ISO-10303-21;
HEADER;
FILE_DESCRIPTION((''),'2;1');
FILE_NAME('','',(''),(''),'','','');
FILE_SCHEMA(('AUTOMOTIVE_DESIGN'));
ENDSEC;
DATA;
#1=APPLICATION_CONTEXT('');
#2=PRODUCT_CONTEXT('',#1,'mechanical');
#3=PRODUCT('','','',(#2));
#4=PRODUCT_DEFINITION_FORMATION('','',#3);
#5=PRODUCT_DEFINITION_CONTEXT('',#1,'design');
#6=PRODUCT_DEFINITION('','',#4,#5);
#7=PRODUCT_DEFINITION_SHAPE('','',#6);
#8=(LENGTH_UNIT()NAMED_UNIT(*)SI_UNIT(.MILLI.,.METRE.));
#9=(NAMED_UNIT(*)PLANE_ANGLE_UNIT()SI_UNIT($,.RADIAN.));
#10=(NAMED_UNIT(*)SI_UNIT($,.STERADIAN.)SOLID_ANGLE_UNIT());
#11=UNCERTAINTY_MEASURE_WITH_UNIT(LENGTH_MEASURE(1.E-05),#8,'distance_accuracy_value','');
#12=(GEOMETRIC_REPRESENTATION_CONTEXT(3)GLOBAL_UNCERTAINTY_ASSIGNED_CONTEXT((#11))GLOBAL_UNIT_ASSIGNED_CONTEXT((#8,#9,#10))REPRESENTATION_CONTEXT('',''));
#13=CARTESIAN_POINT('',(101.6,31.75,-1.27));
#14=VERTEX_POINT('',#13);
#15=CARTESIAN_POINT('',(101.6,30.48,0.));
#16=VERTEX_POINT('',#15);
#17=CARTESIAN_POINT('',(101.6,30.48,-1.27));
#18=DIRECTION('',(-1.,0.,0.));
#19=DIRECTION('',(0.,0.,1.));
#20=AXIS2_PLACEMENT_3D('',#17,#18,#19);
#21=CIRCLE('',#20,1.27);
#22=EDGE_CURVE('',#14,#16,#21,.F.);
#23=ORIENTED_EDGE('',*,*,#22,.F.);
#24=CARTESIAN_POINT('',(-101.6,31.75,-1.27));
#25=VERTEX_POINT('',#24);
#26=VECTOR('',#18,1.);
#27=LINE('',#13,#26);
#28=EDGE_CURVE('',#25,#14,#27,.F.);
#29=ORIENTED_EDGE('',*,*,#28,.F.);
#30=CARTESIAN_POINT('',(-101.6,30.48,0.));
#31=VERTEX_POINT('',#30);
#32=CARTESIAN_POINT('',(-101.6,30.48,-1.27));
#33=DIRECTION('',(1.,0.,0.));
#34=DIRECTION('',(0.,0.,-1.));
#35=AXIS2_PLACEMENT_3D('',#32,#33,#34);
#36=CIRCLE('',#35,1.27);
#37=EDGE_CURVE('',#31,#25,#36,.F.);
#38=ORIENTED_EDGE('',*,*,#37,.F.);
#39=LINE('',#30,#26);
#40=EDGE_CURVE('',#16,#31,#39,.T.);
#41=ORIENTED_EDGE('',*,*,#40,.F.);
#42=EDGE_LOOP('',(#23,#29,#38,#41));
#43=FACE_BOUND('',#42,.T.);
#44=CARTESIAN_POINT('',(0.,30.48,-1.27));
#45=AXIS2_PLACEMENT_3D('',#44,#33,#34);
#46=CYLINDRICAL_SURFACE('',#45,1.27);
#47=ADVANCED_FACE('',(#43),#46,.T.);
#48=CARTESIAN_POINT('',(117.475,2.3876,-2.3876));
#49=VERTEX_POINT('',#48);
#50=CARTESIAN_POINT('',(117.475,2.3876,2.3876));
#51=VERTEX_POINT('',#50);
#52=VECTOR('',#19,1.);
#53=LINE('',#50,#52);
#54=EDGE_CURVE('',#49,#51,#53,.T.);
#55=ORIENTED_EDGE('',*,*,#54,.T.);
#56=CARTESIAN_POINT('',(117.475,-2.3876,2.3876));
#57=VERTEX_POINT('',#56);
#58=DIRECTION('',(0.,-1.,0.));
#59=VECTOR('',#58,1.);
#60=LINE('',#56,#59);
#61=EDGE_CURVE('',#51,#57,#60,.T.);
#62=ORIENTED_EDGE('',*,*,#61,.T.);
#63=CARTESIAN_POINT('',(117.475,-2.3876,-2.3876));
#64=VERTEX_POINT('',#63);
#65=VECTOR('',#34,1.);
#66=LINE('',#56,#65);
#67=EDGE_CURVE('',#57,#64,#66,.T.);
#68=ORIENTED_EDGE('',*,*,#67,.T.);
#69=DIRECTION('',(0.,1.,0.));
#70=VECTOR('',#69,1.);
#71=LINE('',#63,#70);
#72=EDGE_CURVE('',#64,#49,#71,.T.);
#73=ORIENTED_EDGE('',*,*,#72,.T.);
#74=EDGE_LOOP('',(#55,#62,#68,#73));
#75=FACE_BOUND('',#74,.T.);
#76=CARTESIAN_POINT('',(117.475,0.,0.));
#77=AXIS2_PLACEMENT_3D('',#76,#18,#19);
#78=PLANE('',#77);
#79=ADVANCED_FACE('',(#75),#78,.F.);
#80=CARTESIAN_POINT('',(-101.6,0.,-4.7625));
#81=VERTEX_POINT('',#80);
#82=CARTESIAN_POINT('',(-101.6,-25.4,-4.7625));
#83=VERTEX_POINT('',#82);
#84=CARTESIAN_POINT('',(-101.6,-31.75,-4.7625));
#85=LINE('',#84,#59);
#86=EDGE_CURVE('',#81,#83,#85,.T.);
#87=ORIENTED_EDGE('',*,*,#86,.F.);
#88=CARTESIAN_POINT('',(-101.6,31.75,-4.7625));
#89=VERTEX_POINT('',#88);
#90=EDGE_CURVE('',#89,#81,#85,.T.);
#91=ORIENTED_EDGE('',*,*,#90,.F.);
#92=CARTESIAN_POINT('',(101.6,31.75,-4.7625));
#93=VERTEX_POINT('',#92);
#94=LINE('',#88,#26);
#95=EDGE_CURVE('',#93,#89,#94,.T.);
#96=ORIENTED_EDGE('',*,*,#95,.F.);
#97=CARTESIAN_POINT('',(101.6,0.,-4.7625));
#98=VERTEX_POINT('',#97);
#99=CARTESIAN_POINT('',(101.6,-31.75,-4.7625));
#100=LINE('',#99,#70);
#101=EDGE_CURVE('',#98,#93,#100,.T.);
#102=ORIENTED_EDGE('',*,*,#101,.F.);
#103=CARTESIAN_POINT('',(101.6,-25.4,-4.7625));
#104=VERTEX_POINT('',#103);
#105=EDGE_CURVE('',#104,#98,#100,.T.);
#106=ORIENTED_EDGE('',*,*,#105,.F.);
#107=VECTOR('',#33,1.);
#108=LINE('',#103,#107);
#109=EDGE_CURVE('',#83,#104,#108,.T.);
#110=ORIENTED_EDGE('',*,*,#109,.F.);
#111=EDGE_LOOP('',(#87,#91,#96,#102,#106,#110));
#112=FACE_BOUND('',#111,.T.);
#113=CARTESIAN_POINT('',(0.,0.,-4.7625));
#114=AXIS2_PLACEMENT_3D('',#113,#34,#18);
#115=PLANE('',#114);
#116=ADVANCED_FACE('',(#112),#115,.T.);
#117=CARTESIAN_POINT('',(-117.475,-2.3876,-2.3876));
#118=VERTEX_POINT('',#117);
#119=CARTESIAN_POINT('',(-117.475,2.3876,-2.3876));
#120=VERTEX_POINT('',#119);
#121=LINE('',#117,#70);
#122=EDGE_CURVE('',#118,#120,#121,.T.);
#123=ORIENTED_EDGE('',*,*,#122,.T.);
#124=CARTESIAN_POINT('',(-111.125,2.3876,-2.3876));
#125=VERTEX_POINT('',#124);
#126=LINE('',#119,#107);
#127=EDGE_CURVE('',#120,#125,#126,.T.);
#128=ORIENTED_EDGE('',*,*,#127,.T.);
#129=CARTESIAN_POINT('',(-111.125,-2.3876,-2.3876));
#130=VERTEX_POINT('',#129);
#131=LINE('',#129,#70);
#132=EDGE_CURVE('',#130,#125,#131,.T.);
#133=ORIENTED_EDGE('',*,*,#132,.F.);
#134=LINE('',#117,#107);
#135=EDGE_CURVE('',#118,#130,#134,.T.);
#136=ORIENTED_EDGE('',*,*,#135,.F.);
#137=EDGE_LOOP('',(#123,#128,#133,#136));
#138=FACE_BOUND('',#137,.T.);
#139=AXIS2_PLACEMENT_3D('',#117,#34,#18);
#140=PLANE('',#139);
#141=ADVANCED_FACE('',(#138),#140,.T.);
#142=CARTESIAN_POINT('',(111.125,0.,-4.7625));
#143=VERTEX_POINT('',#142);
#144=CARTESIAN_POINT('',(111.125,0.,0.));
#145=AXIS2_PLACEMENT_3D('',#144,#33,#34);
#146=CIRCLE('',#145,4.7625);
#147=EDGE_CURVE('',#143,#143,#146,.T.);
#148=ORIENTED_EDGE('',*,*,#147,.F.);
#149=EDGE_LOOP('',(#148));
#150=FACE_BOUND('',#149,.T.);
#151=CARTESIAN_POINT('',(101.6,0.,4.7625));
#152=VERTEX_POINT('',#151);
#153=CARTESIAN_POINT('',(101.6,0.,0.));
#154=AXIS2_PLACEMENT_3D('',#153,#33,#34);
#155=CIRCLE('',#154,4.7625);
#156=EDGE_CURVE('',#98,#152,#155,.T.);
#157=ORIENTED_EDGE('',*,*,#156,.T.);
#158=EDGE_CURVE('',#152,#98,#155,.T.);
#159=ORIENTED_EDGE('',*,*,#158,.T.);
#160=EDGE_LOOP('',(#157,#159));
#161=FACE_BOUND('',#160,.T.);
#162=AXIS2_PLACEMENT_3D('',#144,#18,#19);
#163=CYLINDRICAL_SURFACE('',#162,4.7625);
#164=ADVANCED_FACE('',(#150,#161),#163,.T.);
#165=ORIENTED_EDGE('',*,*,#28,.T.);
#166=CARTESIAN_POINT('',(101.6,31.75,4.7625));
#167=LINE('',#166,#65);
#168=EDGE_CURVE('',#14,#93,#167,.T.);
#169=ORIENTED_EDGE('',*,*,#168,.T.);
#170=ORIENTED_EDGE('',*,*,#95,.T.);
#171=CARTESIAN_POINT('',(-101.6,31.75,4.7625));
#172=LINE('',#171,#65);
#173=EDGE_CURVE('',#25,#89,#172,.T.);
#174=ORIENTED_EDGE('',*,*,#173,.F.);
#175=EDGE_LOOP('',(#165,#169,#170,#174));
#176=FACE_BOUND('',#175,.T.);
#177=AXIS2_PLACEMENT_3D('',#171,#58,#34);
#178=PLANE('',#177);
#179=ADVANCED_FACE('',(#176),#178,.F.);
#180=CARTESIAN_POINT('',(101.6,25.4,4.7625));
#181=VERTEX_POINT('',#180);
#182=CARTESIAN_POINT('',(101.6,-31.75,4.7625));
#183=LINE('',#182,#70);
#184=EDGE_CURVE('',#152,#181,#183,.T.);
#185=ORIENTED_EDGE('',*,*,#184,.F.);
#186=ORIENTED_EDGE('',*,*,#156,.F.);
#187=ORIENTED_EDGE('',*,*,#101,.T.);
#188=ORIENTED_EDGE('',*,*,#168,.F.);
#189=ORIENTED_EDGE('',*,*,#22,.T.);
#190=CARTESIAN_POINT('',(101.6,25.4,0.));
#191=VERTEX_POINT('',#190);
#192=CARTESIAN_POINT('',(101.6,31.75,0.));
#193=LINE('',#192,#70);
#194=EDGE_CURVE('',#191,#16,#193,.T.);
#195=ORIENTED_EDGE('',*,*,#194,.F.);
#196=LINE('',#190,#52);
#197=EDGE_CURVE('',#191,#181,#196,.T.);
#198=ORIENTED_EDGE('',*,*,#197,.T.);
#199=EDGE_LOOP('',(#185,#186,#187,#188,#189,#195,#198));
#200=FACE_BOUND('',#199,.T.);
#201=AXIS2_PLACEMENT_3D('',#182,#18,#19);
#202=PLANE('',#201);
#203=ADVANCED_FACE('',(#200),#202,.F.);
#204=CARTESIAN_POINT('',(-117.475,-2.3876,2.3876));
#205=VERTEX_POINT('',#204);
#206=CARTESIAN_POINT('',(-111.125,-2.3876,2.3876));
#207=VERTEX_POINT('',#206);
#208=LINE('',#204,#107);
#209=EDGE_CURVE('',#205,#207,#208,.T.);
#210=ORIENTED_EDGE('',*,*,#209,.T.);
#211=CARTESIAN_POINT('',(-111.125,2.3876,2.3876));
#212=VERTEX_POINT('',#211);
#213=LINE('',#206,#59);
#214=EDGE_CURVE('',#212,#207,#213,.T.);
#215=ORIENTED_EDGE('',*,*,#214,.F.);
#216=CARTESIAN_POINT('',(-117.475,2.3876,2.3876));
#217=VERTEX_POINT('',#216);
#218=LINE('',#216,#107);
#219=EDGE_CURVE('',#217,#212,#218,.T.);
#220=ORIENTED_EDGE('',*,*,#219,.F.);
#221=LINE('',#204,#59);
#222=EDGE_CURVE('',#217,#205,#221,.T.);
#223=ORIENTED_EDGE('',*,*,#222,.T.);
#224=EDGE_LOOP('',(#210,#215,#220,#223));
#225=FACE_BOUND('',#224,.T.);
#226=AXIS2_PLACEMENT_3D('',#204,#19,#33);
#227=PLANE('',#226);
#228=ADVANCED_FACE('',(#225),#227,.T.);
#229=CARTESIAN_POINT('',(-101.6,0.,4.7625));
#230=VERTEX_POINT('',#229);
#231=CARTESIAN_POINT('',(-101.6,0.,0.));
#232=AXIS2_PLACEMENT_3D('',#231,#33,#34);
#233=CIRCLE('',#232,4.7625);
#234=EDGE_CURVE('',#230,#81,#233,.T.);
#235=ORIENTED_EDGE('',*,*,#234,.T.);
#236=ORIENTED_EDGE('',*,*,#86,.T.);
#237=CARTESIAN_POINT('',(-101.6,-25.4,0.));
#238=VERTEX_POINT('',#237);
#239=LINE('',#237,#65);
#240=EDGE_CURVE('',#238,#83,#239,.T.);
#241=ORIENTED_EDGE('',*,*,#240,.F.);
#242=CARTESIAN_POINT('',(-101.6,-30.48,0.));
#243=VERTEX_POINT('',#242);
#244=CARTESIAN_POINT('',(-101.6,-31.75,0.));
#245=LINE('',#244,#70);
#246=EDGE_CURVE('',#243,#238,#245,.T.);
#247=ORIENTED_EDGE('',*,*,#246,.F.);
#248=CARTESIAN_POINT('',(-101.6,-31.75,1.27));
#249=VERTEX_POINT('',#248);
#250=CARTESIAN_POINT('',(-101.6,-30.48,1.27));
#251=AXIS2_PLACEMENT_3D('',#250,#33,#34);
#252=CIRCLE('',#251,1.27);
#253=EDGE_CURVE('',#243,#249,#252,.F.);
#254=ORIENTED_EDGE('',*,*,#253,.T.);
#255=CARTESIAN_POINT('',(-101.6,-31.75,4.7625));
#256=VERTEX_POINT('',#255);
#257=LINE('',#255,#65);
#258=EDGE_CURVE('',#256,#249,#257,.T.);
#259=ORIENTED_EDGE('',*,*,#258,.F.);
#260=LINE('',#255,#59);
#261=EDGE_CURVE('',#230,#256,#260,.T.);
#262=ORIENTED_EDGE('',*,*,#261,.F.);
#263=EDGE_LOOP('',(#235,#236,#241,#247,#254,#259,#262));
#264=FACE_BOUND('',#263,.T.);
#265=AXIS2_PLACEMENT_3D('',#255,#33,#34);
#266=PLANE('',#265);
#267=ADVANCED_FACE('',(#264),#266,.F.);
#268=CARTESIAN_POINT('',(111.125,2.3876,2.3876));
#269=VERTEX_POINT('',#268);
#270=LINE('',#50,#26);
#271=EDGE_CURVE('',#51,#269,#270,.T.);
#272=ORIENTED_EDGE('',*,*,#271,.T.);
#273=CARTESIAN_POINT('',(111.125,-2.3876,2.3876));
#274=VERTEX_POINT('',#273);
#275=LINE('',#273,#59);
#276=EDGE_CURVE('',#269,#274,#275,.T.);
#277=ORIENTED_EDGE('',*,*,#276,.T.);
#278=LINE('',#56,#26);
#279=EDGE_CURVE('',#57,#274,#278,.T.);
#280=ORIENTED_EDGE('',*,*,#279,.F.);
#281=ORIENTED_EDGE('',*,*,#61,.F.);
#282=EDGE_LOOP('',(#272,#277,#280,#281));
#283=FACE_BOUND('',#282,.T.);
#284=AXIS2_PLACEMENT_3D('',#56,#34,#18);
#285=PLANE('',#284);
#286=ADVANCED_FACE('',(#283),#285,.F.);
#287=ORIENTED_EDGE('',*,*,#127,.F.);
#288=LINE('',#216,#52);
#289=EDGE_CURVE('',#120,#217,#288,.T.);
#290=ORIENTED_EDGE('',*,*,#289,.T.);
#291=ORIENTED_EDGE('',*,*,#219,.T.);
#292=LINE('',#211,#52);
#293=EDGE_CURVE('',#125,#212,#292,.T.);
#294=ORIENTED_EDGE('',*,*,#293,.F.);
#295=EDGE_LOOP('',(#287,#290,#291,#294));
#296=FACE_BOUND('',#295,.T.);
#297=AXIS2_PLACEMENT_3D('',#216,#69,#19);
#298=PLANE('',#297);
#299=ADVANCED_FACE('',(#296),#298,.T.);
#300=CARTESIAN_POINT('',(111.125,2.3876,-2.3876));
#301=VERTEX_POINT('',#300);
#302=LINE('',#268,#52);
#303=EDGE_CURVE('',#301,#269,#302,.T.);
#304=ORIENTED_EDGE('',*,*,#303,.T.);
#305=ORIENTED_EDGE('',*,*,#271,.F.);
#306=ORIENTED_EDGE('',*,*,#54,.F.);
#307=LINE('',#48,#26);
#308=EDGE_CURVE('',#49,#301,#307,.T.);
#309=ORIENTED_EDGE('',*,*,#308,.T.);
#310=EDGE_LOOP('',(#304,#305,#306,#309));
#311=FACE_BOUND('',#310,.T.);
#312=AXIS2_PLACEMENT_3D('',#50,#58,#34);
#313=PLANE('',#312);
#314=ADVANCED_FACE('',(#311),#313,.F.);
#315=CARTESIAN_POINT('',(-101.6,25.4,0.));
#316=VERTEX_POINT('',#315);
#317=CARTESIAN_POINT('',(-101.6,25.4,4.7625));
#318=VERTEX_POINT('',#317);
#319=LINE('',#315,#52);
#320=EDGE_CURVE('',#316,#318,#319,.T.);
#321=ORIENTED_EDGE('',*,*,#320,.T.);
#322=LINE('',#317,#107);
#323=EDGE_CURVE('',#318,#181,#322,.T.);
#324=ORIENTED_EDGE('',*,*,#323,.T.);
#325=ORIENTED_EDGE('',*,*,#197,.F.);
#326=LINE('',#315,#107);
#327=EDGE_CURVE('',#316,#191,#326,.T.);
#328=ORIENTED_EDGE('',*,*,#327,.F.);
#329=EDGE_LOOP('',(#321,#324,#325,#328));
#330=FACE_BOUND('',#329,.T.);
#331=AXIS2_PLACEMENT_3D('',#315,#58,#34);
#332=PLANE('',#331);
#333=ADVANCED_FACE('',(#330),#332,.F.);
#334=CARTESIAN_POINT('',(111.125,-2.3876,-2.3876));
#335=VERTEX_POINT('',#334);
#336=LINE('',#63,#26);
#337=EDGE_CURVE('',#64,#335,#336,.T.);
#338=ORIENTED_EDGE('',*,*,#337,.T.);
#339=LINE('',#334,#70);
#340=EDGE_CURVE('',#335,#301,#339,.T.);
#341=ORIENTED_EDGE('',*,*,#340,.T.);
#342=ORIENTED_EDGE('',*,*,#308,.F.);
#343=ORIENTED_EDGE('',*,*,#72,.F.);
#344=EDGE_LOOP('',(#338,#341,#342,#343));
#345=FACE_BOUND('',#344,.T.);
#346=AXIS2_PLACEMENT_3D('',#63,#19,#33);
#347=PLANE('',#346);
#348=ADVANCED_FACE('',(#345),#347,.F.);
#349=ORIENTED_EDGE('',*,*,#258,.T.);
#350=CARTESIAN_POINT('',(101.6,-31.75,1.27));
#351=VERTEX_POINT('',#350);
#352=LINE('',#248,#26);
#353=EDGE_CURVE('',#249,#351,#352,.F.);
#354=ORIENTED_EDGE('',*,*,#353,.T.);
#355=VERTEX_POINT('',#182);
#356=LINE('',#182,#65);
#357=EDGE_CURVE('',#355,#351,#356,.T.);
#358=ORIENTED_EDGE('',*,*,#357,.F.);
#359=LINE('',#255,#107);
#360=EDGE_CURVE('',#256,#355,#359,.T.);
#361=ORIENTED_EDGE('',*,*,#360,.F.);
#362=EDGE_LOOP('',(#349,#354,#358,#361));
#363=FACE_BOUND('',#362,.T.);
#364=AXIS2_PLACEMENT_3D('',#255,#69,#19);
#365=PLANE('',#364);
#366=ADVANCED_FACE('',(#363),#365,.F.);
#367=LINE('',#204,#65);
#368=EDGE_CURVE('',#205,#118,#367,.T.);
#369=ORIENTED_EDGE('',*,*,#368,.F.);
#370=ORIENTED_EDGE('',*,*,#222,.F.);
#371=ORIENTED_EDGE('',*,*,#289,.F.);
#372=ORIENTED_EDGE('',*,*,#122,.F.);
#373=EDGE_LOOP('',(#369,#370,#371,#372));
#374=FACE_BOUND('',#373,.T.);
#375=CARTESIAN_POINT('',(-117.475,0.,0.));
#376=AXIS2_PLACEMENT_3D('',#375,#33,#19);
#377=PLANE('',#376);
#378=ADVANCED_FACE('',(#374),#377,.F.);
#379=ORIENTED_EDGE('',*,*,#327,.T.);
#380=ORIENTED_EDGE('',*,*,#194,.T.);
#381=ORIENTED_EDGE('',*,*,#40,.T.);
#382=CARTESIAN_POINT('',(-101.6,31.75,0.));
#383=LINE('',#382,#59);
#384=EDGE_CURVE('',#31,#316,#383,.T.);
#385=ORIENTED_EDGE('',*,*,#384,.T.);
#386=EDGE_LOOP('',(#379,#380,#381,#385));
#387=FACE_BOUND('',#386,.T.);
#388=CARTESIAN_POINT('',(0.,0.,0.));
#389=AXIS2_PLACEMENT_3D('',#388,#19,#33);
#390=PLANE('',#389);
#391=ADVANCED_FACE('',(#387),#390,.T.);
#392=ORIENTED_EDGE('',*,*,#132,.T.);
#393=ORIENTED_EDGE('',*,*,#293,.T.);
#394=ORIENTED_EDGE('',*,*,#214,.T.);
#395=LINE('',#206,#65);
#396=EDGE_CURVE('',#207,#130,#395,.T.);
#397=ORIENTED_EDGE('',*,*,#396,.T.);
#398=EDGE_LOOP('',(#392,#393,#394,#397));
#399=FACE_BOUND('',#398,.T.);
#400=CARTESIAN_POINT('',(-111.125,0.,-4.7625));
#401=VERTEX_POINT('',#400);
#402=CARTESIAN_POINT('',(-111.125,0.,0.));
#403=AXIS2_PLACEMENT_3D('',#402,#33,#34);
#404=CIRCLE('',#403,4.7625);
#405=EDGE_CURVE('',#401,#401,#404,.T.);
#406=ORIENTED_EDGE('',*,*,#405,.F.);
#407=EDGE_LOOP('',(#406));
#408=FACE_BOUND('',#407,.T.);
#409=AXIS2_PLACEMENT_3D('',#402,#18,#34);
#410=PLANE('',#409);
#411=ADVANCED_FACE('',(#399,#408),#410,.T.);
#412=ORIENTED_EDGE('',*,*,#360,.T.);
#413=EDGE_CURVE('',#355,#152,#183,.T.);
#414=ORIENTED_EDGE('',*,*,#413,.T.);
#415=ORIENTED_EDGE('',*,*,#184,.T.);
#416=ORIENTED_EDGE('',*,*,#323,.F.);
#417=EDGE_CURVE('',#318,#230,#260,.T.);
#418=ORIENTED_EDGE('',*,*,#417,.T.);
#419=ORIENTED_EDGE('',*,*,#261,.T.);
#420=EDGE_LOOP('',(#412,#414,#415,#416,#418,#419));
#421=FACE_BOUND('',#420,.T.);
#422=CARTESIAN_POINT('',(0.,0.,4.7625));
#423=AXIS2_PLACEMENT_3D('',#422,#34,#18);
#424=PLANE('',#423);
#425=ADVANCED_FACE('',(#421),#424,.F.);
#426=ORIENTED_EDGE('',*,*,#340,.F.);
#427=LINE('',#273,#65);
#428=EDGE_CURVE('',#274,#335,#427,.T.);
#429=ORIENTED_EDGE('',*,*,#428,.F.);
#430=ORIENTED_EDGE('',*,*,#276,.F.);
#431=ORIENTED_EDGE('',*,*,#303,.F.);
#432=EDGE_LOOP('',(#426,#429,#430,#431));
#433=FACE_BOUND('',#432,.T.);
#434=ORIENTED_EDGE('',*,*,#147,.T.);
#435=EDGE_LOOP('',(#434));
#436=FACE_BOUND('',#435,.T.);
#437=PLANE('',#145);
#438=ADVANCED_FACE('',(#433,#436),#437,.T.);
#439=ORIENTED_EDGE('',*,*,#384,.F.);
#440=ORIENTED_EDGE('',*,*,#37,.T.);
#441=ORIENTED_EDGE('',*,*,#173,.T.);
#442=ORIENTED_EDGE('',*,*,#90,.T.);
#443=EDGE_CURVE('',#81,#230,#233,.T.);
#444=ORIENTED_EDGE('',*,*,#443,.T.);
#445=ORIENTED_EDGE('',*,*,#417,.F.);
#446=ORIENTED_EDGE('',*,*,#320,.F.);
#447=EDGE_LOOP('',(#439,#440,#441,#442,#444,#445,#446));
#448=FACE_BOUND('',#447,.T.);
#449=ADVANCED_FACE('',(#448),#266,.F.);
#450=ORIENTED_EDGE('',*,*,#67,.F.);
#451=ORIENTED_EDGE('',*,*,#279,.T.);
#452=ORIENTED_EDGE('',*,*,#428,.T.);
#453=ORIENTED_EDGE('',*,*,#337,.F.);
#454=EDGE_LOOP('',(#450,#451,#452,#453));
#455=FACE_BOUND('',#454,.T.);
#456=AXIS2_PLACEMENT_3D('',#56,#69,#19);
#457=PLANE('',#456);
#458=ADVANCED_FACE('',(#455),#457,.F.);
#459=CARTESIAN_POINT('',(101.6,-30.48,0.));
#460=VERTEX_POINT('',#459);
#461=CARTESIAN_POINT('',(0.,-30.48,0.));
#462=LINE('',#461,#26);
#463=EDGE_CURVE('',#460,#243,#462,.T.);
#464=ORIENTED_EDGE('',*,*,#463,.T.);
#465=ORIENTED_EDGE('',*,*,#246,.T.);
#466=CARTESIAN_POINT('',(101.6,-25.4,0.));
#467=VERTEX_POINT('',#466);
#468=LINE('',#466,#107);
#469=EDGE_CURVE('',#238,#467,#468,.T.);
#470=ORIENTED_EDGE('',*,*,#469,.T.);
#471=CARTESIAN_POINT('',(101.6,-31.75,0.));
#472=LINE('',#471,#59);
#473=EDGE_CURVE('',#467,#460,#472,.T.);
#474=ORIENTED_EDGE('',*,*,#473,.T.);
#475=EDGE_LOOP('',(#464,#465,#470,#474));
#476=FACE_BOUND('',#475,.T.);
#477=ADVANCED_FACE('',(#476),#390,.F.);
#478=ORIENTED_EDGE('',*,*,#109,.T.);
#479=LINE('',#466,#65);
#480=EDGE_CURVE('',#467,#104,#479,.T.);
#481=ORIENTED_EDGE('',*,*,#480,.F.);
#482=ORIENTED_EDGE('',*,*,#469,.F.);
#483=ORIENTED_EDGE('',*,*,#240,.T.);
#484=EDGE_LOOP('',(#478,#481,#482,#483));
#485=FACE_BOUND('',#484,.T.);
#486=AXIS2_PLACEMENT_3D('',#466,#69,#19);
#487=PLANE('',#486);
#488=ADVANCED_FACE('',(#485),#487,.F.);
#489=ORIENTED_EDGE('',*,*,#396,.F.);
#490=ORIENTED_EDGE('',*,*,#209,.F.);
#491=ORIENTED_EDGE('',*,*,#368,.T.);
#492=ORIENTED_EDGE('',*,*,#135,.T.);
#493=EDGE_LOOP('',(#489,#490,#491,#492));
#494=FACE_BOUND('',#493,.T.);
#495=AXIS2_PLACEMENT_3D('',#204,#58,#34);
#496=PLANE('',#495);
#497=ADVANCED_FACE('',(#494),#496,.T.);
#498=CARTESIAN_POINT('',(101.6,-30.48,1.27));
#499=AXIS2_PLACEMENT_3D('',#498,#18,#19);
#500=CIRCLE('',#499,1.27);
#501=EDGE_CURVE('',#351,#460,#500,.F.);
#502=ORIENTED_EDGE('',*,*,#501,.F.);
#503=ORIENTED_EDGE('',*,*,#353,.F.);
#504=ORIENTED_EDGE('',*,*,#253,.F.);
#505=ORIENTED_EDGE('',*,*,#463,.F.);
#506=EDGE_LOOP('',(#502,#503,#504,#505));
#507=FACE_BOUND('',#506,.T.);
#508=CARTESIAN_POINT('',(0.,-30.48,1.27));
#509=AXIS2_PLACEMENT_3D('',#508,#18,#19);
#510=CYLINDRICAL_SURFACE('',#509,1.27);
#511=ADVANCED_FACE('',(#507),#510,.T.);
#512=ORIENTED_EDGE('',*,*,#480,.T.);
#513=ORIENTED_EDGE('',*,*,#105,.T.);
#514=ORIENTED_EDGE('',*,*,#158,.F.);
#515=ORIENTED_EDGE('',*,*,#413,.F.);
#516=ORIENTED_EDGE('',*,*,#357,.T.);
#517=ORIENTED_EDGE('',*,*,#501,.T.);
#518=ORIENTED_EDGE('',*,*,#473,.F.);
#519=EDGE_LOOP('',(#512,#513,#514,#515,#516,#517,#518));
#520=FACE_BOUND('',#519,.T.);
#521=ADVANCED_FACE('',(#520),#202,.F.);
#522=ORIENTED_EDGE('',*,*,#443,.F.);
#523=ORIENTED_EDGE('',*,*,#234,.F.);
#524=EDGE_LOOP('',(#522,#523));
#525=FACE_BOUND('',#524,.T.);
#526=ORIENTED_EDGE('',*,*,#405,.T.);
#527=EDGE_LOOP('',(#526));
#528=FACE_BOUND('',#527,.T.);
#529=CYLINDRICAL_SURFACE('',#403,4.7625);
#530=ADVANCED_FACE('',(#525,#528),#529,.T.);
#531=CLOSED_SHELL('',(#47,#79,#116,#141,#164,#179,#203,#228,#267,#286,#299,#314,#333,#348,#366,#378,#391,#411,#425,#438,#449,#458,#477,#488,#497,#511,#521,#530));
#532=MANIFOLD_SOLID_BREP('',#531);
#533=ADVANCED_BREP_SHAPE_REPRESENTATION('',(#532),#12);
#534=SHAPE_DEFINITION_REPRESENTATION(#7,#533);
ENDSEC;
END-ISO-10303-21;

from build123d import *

# Parameters (mm, degrees)
SKETCH1_W           = 203.2
SKETCH1_H           = 63.5
BOSS_EXTRUDE1_DEPTH = 4.7625
SKETCH2_R           = 4.7625
BOSS_EXTRUDE2_DEPTH = 9.525
SKETCH3_W           = 4.7752
SKETCH3_H           = 4.7752
BOSS_EXTRUDE3_DEPTH = 6.35
SKETCH4_W           = 203.2
SKETCH4_H           = 6.35
CUT_EXTRUDE1_DEPTH  = 4.7625
SKETCH5_W           = 203.2
SKETCH5_H           = 6.35
CUT_EXTRUDE2_DEPTH  = 4.7625
FILLET1_R           = 1.27


with BuildPart() as part:
    # Sketch1 → Boss-Extrude1 (new, symmetric)
    with BuildSketch(Plane.XY):
        Rectangle(SKETCH1_W, SKETCH1_H)
    extrude(amount=BOSS_EXTRUDE1_DEPTH, both=True)

    # Sketch2 → Boss-Extrude2 (add)
    with BuildSketch(Plane(origin=(101.6, 0, 0), x_dir=(0, 0, -1), z_dir=(1, 0, 0))):
        Circle(SKETCH2_R)
    boss_extrude2 = extrude(amount=BOSS_EXTRUDE2_DEPTH)

    # Sketch3 → Boss-Extrude3 (add)
    with BuildSketch(Plane(origin=(111.125, 0, 0), x_dir=(0, 0, -1), z_dir=(1, 0, 0))):
        Rectangle(SKETCH3_W, SKETCH3_H)
    boss_extrude3 = extrude(amount=BOSS_EXTRUDE3_DEPTH)

    # Mirror1: Boss-Extrude2, Boss-Extrude3 across plane
    add(boss_extrude2.mirror(Plane(origin=(0, 0, 0), x_dir=(0, 0, 1), z_dir=(1, 0, 0))))
    add(boss_extrude3.mirror(Plane(origin=(0, 0, 0), x_dir=(0, 0, 1), z_dir=(1, 0, 0))))

    # Sketch4 → Cut-Extrude1 (cut)
    with BuildSketch(Plane.XY.offset(4.7625)):
        with Locations((0, 28.575)):
            Rectangle(SKETCH4_W, SKETCH4_H)
    extrude(amount=-CUT_EXTRUDE1_DEPTH, mode=Mode.SUBTRACT)

    # Sketch5 → Cut-Extrude2 (cut)
    with BuildSketch(Plane(origin=(0, 0, -4.7625), x_dir=(-1, 0, 0), z_dir=(0, 0, -1))):
        with Locations((0, -28.575)):
            Rectangle(SKETCH5_W, SKETCH5_H)
    extrude(amount=-CUT_EXTRUDE2_DEPTH, mode=Mode.SUBTRACT)

    # Fillet1
    fillet1_edges = [part.edges().sort_by_distance(p)[0] for p in [
        (0, 31.75, 0),
        (0, -31.75, 0),
    ]]
    fillet(fillet1_edges, radius=FILLET1_R)


solid = part.part
